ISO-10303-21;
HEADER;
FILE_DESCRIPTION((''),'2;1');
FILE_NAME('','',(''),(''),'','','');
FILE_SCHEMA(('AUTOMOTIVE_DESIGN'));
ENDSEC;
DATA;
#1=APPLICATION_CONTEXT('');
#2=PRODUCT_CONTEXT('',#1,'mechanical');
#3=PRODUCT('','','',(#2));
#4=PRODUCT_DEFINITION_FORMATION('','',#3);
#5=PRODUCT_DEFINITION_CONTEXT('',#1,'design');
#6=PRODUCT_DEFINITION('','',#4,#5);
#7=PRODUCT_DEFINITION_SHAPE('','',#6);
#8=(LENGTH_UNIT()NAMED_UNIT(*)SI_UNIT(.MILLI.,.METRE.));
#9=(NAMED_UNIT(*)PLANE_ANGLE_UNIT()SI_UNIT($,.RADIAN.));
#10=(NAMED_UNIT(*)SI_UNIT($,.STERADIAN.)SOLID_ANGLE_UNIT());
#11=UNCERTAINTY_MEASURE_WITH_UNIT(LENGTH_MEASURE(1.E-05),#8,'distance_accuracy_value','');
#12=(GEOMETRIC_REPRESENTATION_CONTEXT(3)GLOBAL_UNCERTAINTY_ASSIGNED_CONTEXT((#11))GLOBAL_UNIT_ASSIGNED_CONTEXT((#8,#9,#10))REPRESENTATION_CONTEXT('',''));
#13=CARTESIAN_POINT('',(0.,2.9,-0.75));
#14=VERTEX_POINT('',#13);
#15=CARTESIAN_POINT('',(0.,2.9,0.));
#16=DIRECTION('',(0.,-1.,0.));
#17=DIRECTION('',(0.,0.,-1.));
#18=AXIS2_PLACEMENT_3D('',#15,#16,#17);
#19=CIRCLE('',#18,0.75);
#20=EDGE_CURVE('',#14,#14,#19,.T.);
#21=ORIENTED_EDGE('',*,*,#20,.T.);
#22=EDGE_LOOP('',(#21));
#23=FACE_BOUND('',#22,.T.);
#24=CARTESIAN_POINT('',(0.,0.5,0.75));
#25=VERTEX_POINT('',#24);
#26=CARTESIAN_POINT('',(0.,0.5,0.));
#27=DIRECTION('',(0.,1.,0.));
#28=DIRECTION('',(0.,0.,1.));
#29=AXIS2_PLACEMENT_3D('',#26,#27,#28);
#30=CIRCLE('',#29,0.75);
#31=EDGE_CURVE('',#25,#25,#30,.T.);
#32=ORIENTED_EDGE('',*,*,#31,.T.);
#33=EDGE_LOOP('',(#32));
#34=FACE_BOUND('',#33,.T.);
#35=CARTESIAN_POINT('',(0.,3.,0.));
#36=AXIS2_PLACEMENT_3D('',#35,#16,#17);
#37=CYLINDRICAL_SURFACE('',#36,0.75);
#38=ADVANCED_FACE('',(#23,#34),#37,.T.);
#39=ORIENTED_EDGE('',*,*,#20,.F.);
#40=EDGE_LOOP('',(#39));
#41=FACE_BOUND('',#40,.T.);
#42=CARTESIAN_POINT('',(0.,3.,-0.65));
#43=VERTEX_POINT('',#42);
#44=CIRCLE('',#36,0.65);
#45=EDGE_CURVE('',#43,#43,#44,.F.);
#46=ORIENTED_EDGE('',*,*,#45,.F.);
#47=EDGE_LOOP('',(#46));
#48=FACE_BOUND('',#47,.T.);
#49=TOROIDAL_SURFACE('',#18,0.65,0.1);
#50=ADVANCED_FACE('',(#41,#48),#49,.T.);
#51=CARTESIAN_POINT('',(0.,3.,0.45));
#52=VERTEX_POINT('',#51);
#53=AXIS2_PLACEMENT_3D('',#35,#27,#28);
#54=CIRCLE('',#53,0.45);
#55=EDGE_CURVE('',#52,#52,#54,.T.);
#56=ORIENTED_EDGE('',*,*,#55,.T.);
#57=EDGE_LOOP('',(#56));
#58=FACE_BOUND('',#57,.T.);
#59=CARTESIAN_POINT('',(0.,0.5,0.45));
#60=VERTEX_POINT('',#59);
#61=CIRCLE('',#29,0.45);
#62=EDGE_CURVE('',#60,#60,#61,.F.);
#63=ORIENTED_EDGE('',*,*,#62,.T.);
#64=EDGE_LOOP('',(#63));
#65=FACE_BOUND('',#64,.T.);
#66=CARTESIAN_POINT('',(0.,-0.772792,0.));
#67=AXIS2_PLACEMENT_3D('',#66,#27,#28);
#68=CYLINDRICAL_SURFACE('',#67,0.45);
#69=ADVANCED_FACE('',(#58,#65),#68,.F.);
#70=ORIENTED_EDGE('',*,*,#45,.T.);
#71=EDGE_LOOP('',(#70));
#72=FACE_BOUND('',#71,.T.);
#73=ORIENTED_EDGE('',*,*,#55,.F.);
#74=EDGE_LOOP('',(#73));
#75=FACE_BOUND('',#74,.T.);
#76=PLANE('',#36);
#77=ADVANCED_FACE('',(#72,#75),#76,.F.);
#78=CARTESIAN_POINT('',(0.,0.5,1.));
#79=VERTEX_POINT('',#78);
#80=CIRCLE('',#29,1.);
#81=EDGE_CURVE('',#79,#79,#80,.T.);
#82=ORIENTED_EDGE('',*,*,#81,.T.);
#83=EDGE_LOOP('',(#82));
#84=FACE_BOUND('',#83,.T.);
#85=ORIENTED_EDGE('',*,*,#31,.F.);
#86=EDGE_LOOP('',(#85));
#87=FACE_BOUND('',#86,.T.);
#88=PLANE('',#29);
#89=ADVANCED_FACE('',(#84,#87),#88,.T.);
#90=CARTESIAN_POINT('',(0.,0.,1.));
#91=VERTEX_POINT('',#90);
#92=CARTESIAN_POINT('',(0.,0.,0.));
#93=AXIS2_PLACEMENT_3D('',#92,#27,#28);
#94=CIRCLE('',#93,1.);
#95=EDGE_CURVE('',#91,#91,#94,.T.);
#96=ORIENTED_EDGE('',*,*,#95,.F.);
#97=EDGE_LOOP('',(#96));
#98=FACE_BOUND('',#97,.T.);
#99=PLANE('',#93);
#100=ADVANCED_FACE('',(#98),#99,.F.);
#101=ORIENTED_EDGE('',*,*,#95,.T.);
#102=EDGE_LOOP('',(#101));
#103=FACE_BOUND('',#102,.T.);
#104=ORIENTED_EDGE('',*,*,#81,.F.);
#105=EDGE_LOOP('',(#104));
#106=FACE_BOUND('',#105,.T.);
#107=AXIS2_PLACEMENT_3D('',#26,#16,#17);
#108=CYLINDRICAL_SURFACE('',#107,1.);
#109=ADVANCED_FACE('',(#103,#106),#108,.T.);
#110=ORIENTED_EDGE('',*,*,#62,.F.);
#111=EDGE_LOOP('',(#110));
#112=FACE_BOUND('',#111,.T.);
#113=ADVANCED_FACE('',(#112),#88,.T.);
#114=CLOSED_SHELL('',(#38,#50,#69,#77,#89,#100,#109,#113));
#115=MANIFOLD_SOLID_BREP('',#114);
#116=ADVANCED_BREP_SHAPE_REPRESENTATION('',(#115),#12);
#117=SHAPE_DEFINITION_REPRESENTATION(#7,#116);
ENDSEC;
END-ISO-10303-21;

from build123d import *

# Parameters (mm, degrees)
SKIZZE1_R                       = 1
AUFSATZ_LINEAR_AUSTRAGEN1_DEPTH = 0.5
SKIZZE2_R                       = 0.75
AUFSATZ_LINEAR_AUSTRAGEN2_DEPTH = 3
VERRUNDUNG1_R                   = 0.1
SKIZZE3_R                       = 0.45
SCHNITT_LINEAR_AUSTRAGEN1_DEPTH = 2.5


with BuildPart() as part:
    # Skizze1 → Aufsatz-Linear austragen1 (new body)
    with BuildSketch(Plane(origin=(0, 0, 0), x_dir=(1, 0, 0), z_dir=(0, 1, 0))):
        with Locations(Location((0, 0, 0), (0, 0, 270))):
            Circle(SKIZZE1_R)
    extrude(amount=AUFSATZ_LINEAR_AUSTRAGEN1_DEPTH)

    # Skizze2 → Aufsatz-Linear austragen2 (add)
    with BuildSketch(Plane.XZ):
        with Locations(Location((0, 0, 0), (0, 0, 270))):
            Circle(SKIZZE2_R)
    extrude(amount=-AUFSATZ_LINEAR_AUSTRAGEN2_DEPTH)

    # Verrundung1
    verrundung1_edges = [part.edges().sort_by_distance(p)[0] for p in [
        (0, 3, 0.75),
    ]]
    fillet(verrundung1_edges, radius=VERRUNDUNG1_R)

    # Skizze3 → Schnitt-Linear austragen1 (cut)
    with BuildSketch(Plane(origin=(0, 3, 0), x_dir=(1, 0, 0), z_dir=(0, 1, 0))):
        with Locations(Location((0, 0, 0), (0, 0, 270))):
            Circle(SKIZZE3_R)
    extrude(amount=-SCHNITT_LINEAR_AUSTRAGEN1_DEPTH, mode=Mode.SUBTRACT)


solid = part.part
